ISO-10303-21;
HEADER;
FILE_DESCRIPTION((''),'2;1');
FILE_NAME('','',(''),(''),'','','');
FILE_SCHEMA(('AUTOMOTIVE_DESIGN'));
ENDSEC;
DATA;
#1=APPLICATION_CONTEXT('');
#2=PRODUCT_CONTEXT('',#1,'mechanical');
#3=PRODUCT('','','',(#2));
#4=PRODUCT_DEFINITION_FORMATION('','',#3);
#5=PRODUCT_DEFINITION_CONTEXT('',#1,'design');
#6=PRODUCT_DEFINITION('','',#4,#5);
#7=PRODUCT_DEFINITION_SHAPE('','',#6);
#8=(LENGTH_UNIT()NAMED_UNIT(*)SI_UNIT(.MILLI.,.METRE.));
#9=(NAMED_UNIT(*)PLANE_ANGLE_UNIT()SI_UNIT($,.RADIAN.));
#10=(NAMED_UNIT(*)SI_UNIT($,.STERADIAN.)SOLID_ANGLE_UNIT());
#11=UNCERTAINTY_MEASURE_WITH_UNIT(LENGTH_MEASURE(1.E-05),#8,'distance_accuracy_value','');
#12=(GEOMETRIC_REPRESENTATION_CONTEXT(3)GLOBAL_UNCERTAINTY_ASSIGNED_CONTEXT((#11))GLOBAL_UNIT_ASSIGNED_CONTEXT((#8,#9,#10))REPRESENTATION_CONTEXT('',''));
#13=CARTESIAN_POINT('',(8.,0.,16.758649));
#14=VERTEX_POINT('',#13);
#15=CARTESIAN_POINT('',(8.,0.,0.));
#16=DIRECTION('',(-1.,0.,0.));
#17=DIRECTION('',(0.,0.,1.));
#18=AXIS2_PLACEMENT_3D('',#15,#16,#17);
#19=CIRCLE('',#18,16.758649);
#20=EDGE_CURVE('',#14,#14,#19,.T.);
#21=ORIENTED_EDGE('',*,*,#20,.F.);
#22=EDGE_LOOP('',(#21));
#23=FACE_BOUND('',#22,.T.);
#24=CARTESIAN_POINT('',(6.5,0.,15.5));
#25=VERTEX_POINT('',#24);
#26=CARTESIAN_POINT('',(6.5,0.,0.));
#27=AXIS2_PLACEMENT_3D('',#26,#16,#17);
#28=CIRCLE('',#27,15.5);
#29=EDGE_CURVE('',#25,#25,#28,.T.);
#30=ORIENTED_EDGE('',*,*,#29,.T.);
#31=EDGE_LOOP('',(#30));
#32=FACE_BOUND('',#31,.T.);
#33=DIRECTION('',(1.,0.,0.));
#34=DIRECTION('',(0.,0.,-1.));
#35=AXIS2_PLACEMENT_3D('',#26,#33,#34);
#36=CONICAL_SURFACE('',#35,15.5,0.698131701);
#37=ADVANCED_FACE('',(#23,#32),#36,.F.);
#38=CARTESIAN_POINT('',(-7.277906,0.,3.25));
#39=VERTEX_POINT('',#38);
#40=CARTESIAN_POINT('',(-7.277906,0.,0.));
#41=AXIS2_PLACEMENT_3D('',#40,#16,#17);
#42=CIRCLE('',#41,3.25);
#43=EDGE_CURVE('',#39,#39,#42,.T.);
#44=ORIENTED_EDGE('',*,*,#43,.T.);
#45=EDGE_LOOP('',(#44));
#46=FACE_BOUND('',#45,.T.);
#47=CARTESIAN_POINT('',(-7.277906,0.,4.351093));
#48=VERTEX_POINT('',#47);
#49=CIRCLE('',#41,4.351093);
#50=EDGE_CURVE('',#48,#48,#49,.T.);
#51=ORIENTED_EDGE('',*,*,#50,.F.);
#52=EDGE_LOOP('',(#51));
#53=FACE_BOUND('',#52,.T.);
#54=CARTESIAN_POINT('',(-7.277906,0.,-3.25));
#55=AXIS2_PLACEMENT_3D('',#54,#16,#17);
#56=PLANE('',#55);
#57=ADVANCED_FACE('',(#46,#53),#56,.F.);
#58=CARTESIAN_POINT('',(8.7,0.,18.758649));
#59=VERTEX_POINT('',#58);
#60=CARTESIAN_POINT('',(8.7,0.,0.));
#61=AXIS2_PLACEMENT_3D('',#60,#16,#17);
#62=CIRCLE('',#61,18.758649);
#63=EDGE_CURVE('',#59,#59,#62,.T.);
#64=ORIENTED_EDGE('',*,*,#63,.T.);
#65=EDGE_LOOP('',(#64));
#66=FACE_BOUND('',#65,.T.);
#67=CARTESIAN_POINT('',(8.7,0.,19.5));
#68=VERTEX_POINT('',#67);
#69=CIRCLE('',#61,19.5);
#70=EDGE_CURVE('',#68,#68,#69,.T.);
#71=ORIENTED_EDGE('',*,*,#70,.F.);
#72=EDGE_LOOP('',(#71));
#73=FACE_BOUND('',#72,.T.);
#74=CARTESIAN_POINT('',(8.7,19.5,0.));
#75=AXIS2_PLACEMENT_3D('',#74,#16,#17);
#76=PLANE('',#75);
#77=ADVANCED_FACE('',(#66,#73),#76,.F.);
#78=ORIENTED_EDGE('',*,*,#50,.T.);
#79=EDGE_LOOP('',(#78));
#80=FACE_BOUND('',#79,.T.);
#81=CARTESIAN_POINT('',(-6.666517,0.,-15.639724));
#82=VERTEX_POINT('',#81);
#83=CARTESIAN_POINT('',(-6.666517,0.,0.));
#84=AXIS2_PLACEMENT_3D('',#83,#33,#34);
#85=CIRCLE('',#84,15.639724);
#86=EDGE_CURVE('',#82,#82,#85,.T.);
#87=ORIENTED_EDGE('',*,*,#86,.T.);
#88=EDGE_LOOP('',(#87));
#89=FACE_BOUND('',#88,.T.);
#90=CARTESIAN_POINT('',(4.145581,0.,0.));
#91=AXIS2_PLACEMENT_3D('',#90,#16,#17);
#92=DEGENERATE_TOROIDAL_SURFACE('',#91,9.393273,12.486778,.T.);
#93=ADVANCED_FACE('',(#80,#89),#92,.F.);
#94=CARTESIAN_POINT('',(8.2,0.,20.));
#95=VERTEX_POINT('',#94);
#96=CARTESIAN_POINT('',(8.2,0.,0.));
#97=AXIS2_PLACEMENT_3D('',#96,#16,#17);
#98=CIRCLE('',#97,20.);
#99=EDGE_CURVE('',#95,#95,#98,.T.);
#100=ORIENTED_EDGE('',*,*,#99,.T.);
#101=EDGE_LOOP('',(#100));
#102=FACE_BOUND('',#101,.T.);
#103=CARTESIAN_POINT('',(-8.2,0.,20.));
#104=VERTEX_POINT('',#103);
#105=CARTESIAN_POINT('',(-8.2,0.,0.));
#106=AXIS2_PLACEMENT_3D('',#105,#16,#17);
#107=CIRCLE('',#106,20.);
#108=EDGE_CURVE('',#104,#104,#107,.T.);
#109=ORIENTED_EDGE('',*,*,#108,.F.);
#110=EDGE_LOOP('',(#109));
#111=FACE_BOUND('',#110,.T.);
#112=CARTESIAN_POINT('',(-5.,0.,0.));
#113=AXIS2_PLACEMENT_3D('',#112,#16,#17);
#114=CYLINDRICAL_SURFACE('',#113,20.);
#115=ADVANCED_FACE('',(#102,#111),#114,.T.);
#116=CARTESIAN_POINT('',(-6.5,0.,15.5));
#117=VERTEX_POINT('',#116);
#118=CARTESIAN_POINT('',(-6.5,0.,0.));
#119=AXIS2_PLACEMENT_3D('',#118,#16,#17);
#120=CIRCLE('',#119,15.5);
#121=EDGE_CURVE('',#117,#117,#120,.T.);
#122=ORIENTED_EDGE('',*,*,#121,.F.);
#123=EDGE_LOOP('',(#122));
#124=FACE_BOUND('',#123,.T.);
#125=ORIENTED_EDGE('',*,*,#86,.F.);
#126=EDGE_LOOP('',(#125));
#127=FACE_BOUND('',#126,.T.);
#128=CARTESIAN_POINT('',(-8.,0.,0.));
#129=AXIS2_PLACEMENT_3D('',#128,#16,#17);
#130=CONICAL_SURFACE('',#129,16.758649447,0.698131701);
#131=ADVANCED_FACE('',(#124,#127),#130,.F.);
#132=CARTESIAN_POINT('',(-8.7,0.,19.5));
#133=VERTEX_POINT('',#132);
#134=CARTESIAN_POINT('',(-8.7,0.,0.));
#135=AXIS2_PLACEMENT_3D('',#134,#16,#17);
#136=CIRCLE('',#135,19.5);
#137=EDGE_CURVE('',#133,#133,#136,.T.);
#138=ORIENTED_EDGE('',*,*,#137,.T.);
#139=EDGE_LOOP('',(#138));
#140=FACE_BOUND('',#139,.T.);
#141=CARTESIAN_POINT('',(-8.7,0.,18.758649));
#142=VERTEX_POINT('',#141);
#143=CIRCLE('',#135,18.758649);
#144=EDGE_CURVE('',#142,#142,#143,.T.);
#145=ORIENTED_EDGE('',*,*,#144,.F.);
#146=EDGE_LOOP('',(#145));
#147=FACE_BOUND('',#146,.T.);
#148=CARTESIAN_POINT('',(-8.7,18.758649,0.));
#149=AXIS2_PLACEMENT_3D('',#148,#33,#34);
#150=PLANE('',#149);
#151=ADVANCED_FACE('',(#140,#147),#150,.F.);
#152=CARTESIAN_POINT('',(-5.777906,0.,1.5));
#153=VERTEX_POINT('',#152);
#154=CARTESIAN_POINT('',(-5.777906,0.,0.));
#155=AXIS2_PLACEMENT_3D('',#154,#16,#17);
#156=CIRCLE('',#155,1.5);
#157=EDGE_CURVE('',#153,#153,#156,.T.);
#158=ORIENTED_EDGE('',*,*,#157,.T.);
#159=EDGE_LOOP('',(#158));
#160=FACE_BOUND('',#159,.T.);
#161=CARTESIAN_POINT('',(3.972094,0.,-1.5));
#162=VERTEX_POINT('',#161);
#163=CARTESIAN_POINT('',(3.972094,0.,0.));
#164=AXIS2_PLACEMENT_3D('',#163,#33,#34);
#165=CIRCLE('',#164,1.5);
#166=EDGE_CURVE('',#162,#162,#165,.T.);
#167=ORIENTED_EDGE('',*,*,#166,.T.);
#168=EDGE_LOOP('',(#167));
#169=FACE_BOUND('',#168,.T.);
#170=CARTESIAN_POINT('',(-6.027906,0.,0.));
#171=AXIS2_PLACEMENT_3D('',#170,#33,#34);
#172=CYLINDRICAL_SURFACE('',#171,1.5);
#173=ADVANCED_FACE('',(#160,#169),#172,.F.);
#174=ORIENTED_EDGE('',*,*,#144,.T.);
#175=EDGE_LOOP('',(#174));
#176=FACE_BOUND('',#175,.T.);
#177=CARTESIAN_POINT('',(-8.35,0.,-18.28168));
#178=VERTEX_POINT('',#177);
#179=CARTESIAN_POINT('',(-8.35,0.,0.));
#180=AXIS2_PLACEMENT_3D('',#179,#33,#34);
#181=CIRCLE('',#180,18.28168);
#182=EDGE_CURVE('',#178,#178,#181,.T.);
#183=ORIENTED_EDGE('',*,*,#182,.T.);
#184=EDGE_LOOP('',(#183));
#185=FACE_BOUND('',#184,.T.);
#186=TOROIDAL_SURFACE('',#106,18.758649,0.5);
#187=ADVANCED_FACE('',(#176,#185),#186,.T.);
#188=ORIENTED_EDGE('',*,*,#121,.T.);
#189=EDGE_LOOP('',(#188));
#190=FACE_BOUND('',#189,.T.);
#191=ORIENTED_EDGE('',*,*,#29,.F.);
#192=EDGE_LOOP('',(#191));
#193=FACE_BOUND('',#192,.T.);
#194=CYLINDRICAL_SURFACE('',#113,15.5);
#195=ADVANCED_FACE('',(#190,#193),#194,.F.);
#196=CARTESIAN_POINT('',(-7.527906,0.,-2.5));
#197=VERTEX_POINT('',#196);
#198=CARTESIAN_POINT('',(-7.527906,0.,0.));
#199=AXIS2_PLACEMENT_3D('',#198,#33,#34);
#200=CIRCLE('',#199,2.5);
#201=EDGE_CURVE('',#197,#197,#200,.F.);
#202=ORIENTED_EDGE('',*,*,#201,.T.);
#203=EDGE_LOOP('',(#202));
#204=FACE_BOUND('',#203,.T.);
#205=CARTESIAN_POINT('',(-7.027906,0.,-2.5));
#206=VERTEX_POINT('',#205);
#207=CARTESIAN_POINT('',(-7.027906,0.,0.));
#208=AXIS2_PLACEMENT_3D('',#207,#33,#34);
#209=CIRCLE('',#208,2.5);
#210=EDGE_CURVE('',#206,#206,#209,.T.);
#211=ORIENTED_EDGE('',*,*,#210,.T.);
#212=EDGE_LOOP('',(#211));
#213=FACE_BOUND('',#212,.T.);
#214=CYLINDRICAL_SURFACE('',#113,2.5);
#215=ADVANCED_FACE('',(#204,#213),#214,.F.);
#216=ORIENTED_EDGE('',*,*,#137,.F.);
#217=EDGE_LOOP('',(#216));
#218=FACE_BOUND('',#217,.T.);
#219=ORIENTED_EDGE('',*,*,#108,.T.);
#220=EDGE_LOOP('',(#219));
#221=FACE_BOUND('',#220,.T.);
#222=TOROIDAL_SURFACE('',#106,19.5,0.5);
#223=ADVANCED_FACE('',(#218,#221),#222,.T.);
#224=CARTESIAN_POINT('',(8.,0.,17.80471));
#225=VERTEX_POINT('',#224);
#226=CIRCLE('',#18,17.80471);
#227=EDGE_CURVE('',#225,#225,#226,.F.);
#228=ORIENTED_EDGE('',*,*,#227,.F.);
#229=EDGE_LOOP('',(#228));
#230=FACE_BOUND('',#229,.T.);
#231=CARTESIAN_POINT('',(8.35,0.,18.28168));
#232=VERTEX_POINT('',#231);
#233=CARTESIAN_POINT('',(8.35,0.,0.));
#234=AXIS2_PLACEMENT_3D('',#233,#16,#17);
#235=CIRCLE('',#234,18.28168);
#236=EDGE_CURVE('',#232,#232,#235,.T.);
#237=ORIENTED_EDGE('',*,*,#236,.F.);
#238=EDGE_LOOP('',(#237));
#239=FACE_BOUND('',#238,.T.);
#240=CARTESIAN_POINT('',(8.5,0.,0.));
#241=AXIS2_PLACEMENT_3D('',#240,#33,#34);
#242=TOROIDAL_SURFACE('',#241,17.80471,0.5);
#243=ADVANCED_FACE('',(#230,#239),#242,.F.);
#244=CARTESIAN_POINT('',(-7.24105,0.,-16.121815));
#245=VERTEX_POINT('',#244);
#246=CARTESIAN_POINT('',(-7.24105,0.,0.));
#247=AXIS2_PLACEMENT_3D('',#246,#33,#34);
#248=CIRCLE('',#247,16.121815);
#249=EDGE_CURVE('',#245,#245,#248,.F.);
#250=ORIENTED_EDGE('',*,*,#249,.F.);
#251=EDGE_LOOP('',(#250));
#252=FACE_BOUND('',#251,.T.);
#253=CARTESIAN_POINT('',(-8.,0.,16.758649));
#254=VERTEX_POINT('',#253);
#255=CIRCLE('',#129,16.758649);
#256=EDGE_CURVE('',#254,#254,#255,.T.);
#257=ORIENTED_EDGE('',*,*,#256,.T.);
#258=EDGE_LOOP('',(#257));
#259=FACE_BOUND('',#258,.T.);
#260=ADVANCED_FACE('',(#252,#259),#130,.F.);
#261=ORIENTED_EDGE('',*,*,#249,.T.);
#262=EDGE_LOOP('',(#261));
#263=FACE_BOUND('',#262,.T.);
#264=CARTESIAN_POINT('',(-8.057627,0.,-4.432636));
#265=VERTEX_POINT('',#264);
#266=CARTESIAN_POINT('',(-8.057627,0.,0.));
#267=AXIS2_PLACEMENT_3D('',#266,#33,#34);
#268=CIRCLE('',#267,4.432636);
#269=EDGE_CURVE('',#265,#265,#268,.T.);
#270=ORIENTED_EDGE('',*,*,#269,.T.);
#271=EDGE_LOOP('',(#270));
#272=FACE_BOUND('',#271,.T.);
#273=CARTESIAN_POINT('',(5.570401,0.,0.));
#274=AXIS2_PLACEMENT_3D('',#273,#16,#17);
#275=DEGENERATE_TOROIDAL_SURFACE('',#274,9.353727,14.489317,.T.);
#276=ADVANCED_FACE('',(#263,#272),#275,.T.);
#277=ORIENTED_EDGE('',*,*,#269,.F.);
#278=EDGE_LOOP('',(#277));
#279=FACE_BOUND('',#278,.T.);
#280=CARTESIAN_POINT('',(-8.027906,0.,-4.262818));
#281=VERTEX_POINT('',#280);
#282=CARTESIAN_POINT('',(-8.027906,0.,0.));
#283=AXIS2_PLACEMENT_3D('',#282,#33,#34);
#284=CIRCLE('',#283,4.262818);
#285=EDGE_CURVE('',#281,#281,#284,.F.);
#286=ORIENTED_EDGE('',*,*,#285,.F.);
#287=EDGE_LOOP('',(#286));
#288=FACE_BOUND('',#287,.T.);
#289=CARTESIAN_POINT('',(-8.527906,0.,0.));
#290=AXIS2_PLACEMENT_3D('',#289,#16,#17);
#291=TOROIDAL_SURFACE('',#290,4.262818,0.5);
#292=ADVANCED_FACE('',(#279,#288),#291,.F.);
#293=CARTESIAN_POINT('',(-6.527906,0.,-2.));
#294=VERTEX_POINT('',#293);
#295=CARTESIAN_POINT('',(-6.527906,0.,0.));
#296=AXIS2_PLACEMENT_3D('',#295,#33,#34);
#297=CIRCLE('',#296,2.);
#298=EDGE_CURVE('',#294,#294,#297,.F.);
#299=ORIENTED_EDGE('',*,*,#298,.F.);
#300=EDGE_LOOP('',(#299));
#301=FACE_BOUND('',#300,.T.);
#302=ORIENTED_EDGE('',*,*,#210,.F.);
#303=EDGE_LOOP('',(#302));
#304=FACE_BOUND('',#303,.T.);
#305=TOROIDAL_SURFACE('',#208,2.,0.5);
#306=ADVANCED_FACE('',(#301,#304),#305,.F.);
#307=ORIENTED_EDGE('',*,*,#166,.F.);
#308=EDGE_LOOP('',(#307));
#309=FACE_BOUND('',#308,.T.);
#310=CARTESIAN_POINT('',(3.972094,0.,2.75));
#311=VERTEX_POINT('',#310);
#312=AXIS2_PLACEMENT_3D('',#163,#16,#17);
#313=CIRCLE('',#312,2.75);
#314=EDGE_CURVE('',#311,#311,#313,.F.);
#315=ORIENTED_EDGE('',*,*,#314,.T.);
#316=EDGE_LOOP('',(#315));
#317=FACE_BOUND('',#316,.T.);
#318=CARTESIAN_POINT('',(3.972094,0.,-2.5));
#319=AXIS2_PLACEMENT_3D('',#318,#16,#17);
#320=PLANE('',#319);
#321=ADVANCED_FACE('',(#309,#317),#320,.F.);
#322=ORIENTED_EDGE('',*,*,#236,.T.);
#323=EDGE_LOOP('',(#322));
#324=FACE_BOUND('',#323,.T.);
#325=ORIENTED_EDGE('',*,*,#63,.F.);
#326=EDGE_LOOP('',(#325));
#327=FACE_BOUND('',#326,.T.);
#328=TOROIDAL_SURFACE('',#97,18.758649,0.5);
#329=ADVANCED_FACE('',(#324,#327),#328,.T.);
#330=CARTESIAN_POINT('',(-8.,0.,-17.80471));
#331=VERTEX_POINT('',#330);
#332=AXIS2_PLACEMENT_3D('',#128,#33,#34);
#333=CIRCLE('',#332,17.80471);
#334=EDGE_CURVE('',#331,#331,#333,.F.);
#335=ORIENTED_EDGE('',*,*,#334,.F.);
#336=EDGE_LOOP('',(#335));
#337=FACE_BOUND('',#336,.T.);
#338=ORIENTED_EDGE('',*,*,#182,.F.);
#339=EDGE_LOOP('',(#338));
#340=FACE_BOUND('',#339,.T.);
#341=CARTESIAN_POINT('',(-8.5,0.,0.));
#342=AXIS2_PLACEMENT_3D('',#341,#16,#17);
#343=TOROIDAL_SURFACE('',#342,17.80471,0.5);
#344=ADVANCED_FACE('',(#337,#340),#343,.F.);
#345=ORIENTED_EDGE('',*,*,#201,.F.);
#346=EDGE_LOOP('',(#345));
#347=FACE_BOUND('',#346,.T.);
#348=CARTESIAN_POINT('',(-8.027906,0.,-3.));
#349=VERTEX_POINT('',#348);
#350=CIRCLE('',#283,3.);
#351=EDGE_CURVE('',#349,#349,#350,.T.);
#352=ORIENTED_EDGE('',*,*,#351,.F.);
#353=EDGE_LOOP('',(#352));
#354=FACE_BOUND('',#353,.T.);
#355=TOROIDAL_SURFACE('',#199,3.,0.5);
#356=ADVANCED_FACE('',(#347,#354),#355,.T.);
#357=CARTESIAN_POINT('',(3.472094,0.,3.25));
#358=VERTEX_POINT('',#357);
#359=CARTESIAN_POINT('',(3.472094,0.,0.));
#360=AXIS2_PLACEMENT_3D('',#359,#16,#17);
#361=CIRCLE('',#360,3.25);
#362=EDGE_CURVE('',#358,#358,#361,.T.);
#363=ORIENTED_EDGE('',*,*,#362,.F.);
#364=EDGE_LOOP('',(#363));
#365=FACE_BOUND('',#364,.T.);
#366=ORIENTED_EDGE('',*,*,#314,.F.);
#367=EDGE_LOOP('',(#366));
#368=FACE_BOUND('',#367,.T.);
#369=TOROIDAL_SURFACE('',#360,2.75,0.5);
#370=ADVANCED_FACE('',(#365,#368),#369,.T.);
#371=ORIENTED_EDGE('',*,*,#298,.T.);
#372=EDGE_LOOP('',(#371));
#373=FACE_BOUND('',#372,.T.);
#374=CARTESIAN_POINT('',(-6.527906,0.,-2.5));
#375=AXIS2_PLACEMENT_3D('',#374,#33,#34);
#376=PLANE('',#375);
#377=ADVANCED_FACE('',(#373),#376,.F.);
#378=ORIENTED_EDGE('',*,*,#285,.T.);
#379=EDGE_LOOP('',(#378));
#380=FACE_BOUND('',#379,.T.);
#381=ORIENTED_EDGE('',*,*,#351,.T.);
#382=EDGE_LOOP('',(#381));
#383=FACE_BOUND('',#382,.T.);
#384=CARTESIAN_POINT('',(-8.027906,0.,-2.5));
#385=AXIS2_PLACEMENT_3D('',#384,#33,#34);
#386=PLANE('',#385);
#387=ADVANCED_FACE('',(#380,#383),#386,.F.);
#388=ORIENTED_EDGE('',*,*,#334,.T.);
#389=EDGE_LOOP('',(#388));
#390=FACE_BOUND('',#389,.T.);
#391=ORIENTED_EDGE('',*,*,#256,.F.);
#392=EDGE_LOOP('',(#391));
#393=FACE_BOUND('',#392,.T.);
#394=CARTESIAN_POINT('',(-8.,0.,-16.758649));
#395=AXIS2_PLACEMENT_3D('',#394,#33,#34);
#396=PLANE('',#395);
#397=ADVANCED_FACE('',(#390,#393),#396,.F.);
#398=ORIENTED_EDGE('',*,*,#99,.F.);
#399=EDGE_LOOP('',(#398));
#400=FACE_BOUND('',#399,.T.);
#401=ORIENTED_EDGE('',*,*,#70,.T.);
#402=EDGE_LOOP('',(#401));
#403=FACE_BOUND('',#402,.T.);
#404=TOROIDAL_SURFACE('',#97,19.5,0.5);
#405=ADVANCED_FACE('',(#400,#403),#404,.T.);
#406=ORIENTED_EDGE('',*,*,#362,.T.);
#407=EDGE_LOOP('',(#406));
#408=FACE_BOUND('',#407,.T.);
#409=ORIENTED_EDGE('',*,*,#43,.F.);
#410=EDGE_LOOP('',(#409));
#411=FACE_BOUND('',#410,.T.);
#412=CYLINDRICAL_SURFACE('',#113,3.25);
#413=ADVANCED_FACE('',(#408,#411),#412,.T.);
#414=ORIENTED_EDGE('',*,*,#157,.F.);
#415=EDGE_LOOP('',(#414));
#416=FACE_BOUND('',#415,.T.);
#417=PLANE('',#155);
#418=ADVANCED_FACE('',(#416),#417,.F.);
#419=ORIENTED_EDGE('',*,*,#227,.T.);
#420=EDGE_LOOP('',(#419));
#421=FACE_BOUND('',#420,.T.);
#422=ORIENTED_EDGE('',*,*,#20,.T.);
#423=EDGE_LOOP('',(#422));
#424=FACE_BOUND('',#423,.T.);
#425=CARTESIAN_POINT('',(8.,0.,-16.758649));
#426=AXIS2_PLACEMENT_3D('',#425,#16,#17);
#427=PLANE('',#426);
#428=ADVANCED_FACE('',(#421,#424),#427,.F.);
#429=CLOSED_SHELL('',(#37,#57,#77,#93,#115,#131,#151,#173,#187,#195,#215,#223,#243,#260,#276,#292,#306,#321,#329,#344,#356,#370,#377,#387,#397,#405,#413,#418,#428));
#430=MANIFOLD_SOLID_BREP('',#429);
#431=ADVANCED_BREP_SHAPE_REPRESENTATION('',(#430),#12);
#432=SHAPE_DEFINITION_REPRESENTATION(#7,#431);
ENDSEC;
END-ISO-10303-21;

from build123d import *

# Parameters (mm, degrees)
FILLET2_R           = 0.5
FILLET3_R           = 0.5
SKETCH7_R           = 2.5
SKETCH7_R_2         = 1.5
BOSS_EXTRUDE1_DEPTH = 10
FILLET4_R           = 0.5


with BuildPart() as part:
    # Sketch1 → Revolve1 (revolve)
    with BuildSketch(Plane(origin=(0, 0, 0), x_dir=(1, 0, 0), z_dir=(0, 1, 0)), mode=Mode.PRIVATE) as revolve1_sk:
        Polygon((6.5, 15.5), (-6.5, 15.5), (-8, 16.758649447), (-8, 18.258649447), (-6.5, 18.258649447), (-5, 16.5), (5, 16.5), (6.5, 18.258649447), (8, 18.258649447), (8, 16.758649447), align=None)
    revolve(revolve1_sk.sketch.rotate(Axis((-5, 0, 0), (1, 0, 0)), 180), axis=Axis((-5, 0, 0), (1, 0, 0)))



with BuildPart() as body_2:
    # Sketch4 → Revolve2 (revolve)
    with BuildSketch(Plane(origin=(0, 0, 0), x_dir=(1, 0, 0), z_dir=(0, 1, 0)), mode=Mode.PRIVATE) as revolve2_sk:
        with BuildLine():
            Line((3.972094041, 2.5), (3.972094041, 3.25))
            Line((3.972094041, 3.25), (-7.277905959, 3.25))
            Line((-7.277905959, 3.25), (-7.277905959, 4.351093463))
            ThreePointArc((-7.277905959, 4.351093463), (-8.32292358, 10.068563098), (-6.66651706, 15.639724403))
            Line((-6.66651706, 15.639724403), (-7.241050392, 16.121815111))
            ThreePointArc((-7.241050392, 16.121815111), (-8.886649384, 10.320160105), (-8.027905959, 4.351093463))
            Line((-8.027905959, 4.351093463), (-8.027905959, 2.5))
            Line((-8.027905959, 2.5), (-6.527905959, 2.5))
            Line((-6.527905959, 2.5), (-6.527905959, 0))
            Line((-6.527905959, 0), (-5.777905959, 0))
            Line((-5.777905959, 0), (-5.777905959, 2.5))
            Line((-5.777905959, 2.5), (3.972094041, 2.5))
        make_face()
    revolve(revolve2_sk.sketch.rotate(Axis((-5, 0, 0), (1, 0, 0)), 180), axis=Axis((-5, 0, 0), (1, 0, 0)))


with BuildPart() as part_1:
    add(part.part)

    add(body_2.part)  # Revolve3 merges body 2
    # Sketch6 → Revolve3 (revolve)
    with BuildSketch(Plane.XY, mode=Mode.PRIVATE) as revolve3_sk:
        with BuildLine():
            Line((-5, 16.5), (5, 16.5))
            Line((5, 16.5), (6.5, 18.258649447))
            Line((6.5, 18.258649447), (8.2, 18.258649447))
            ThreePointArc((8.2, 18.258649447), (8.553553391, 18.405096056), (8.7, 18.758649447))
            Line((8.7, 18.758649447), (8.7, 19.5))
            ThreePointArc((8.7, 19.5), (8.553553391, 19.853553391), (8.2, 20))
            Line((8.2, 20), (-8.2, 20))
            ThreePointArc((-8.2, 20), (-8.553553391, 19.853553391), (-8.7, 19.5))
            Line((-8.7, 19.5), (-8.7, 18.758649447))
            ThreePointArc((-8.7, 18.758649447), (-8.553553391, 18.405096056), (-8.2, 18.258649447))
            Line((-8.2, 18.258649447), (-6.5, 18.258649447))
            Line((-6.5, 18.258649447), (-5, 16.5))
        make_face()
    revolve(revolve3_sk.sketch.rotate(Axis((-5, 0, 0), (1, 0, 0)), 90), axis=Axis((-5, 0, 0), (1, 0, 0)))

    # Fillet2
    fillet2_edges = [part_1.edges().sort_by_distance(p)[0] for p in [
        (-6.527905959, 0, -2.5),
        (-8.027905959, 0, -2.5),
        (-8.027905959, 0, -4.351093463),
    ]]
    fillet(fillet2_edges, radius=FILLET2_R)

    # Fillet3
    fillet3_edges = [part_1.edges().sort_by_distance(p)[0] for p in [
        (8, 0, -18.258649447),
        (-8, 0, -18.258649447),
    ]]
    fillet(fillet3_edges, radius=FILLET3_R)

    # Sketch7 → Boss-Extrude1 (add)
    with BuildSketch(Plane(origin=(3.972094041, 0, 0), x_dir=(0, 0, -1), z_dir=(1, 0, 0))):
        Circle(SKETCH7_R)
        Circle(SKETCH7_R_2, mode=Mode.SUBTRACT)
    extrude(amount=-BOSS_EXTRUDE1_DEPTH)

    # Fillet4
    fillet4_edges = [part_1.edges().sort_by_distance(p)[0] for p in [
        (3.972094041, 0, -3.25),
    ]]
    fillet(fillet4_edges, radius=FILLET4_R)


solid = part_1.part
